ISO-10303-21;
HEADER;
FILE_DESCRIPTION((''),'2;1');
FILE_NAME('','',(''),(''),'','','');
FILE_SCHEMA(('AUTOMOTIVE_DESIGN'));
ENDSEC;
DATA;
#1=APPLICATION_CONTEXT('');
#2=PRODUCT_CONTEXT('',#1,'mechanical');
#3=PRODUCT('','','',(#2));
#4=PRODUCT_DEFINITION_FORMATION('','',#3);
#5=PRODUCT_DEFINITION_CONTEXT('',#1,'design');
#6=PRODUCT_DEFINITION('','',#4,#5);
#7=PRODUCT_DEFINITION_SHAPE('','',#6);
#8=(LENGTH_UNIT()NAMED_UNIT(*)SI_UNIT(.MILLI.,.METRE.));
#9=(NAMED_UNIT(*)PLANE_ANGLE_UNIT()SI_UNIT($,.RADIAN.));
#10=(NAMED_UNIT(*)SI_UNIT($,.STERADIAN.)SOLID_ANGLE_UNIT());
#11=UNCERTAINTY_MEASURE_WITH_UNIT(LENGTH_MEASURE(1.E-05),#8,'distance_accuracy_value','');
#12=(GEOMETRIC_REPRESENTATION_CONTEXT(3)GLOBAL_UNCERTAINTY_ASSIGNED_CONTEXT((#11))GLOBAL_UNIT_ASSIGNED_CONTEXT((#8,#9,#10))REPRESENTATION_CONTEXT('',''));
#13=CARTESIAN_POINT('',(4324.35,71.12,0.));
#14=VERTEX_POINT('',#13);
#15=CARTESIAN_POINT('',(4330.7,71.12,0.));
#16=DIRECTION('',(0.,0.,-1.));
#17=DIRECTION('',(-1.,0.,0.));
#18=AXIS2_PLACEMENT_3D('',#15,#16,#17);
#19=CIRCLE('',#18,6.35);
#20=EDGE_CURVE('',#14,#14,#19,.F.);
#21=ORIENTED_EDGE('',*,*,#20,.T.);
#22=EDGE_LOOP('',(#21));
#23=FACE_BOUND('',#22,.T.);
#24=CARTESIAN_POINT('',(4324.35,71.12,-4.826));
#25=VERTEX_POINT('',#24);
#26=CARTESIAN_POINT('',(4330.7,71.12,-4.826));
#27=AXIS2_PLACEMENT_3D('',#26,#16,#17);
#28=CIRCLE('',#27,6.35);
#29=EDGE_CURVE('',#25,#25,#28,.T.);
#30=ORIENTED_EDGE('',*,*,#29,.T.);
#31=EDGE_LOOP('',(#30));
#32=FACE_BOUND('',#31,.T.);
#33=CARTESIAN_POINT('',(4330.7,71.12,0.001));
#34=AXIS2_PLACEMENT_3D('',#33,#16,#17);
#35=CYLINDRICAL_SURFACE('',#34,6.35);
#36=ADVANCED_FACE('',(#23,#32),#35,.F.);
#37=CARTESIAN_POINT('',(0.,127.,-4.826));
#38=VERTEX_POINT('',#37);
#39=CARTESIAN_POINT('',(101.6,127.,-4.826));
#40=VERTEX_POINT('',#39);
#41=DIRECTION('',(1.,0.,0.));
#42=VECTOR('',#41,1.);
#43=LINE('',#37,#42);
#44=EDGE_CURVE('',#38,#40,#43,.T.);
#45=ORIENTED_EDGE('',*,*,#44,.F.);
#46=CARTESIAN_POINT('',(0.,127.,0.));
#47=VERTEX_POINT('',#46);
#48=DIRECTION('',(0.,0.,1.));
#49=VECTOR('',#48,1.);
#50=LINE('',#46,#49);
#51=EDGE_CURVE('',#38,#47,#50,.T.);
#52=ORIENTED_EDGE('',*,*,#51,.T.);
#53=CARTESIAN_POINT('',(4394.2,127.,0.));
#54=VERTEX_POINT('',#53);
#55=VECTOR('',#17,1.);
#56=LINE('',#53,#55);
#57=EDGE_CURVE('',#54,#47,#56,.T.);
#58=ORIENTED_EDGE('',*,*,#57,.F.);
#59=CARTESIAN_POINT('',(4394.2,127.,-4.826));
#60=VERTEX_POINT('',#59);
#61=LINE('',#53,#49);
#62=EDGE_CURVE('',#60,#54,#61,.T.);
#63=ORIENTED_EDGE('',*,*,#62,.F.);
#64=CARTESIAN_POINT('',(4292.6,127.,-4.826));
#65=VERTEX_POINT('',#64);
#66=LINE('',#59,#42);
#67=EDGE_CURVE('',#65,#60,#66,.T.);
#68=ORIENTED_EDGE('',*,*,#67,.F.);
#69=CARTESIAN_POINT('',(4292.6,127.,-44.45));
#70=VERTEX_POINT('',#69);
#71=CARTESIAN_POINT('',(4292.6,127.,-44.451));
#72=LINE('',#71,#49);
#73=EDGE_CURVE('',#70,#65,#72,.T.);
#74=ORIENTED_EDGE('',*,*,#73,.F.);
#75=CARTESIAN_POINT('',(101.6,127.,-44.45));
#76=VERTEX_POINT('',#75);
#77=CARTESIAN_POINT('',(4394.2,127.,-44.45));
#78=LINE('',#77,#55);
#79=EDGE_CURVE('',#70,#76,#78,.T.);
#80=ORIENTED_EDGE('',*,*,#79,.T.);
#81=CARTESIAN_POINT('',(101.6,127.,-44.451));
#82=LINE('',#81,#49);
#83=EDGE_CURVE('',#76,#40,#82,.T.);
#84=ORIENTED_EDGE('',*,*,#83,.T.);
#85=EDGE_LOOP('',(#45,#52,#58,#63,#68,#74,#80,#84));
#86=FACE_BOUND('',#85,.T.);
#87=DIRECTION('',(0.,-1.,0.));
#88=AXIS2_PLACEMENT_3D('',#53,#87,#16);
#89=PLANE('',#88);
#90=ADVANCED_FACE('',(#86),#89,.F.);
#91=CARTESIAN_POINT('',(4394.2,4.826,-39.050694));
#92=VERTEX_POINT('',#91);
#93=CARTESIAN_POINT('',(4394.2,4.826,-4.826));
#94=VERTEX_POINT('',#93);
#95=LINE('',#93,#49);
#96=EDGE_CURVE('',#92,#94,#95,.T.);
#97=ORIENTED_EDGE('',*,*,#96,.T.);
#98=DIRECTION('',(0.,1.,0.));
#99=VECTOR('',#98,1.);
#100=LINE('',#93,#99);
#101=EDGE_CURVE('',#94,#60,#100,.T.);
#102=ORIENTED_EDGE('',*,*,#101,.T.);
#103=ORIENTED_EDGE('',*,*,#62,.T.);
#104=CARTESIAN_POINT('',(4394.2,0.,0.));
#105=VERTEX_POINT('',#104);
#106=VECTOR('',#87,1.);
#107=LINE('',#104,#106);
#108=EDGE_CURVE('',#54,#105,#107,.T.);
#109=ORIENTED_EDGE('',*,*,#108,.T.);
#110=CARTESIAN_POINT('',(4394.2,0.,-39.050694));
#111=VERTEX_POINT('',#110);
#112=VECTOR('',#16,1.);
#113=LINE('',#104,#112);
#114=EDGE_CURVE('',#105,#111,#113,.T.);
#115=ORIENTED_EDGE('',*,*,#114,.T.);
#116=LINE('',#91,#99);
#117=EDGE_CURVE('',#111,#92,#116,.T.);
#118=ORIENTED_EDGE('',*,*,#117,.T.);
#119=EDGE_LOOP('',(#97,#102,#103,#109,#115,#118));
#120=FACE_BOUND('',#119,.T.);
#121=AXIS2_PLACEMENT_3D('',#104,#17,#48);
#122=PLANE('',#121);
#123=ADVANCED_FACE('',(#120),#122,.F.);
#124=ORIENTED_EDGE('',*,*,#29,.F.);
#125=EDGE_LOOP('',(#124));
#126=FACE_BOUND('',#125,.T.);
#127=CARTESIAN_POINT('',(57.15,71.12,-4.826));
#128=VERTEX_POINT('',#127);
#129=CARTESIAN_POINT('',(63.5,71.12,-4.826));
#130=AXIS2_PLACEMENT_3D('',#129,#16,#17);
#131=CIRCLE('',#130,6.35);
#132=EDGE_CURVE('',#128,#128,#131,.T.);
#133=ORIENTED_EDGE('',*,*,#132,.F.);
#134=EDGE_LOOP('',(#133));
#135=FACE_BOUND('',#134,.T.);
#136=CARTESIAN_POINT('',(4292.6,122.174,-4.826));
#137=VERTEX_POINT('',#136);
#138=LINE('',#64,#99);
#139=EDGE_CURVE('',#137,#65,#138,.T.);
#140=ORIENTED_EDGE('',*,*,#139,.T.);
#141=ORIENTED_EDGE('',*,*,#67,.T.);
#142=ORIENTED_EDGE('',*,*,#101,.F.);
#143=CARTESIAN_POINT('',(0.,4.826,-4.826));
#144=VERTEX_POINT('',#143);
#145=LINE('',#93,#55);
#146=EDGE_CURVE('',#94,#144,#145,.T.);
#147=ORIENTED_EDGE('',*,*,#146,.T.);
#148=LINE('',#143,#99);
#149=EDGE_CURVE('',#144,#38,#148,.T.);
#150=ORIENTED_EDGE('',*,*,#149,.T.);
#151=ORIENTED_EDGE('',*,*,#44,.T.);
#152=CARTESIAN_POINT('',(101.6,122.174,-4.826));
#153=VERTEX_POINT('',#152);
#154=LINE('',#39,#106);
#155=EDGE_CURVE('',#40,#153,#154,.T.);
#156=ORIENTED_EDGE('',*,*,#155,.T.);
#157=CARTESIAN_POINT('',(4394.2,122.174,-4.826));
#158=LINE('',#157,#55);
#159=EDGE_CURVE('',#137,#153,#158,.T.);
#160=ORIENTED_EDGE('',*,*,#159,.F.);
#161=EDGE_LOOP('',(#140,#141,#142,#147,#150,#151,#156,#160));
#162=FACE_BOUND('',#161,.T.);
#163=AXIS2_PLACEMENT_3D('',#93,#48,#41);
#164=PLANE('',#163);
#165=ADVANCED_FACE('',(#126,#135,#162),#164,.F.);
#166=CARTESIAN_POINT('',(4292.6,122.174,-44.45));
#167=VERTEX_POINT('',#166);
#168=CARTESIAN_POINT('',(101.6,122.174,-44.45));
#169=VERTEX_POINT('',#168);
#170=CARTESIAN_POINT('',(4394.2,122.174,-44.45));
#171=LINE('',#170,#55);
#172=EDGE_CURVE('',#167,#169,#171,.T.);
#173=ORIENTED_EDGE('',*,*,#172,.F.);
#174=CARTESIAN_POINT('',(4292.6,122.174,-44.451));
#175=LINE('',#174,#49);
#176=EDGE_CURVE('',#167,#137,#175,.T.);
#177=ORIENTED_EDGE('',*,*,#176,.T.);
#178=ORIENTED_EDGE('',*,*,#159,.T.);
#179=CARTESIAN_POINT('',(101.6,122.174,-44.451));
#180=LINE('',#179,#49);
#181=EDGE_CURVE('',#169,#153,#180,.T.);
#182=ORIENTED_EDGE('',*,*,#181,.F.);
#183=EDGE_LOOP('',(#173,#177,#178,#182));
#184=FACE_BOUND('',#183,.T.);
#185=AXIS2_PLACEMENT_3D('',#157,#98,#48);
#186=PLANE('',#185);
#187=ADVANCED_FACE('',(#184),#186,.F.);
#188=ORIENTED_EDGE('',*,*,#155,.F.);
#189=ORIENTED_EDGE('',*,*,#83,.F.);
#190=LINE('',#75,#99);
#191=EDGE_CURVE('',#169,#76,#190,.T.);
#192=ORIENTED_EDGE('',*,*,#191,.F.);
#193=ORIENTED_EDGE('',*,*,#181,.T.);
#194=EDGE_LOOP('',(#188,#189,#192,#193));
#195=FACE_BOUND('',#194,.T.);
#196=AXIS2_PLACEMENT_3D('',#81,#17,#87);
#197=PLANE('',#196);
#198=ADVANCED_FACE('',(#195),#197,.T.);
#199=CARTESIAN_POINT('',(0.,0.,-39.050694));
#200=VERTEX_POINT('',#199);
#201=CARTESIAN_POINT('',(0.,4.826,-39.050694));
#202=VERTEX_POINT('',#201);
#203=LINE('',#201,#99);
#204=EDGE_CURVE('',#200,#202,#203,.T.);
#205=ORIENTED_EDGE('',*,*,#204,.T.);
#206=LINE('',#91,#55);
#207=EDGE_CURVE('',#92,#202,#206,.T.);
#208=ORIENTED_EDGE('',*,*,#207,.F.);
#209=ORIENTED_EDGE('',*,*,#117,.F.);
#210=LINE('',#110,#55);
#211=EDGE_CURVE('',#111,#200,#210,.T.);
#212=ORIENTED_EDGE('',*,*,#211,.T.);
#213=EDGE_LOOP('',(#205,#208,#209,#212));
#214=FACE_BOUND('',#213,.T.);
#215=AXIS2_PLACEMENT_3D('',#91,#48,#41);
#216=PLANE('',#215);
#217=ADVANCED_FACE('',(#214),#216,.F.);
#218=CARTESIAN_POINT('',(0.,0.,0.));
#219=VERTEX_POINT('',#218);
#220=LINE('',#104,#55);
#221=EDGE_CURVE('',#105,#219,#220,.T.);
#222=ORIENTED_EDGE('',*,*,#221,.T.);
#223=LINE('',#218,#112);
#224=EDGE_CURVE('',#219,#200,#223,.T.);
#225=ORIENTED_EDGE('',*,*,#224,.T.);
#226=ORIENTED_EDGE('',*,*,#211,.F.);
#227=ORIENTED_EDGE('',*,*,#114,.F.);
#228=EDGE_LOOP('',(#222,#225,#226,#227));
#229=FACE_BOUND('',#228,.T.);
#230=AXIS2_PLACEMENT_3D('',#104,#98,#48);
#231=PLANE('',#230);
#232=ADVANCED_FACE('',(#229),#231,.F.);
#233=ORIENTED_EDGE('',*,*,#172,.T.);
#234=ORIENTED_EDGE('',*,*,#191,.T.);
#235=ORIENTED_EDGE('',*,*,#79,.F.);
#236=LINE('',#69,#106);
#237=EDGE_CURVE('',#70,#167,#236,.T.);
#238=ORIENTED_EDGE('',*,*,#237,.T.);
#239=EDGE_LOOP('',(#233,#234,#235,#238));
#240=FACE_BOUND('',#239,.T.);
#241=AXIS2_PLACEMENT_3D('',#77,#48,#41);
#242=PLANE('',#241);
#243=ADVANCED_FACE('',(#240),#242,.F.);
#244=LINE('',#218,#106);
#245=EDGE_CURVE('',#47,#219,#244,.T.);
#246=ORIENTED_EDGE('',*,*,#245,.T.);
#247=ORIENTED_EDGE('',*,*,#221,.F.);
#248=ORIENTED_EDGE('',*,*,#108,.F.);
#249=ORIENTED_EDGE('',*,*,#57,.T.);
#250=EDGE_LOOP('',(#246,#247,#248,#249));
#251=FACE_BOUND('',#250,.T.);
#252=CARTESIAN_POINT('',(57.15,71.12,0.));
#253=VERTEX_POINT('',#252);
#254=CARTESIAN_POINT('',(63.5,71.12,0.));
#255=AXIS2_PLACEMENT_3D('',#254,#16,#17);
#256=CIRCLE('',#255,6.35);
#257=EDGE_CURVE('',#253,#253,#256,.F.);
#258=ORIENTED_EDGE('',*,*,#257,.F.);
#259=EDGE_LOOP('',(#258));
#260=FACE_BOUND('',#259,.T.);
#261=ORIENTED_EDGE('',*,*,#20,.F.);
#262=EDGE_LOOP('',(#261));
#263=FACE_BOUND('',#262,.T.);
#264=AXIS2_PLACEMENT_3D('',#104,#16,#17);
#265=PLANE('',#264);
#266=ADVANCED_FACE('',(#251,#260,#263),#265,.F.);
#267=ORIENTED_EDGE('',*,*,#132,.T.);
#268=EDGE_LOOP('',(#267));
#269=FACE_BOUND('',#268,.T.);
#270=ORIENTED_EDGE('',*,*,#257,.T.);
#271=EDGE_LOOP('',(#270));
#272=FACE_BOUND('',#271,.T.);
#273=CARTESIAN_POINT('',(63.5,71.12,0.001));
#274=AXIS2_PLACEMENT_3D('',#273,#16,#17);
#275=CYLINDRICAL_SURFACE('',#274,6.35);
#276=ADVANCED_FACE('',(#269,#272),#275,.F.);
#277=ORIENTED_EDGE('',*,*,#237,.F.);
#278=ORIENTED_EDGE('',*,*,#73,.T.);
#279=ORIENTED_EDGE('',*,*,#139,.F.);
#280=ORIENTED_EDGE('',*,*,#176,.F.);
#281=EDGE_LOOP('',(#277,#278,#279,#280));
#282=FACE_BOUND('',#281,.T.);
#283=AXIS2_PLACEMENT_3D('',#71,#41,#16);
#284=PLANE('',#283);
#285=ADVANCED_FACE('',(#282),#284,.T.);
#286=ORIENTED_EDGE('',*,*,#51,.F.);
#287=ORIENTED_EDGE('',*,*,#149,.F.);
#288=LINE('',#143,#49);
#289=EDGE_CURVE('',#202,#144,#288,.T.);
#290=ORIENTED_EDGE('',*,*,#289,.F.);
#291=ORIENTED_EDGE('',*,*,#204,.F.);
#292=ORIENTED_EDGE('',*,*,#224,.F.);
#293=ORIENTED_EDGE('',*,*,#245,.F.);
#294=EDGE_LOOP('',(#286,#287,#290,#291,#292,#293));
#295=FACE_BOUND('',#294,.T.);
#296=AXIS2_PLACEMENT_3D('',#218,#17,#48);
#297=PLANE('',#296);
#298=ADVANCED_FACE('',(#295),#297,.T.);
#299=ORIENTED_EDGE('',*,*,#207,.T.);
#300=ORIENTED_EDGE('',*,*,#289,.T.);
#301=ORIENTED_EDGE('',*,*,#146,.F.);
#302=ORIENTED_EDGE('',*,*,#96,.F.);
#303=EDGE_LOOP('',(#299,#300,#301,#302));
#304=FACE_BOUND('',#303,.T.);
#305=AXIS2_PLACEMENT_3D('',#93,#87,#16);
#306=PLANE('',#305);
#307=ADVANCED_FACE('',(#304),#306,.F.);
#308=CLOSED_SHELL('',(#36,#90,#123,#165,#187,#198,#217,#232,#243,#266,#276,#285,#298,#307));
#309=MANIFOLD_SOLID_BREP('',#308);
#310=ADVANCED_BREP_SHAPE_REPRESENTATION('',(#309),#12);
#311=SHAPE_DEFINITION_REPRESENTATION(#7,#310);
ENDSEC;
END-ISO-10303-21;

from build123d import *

# Parameters (mm, degrees)
BOSS_EXTRUDE1_DEPTH = 4394.2
CUT_EXTRUDE1_REACH  = 4398.213
SKETCH2_R           = 6.35
CUT_EXTRUDE4_REACH  = 4398.213
SKETCH3_W           = 101.6
SKETCH3_H           = 4.826


with BuildPart() as part:
    # Sketch1 → Boss-Extrude1 (new body)
    with BuildSketch(Plane(origin=(0, 0, 0), x_dir=(0, 0, -1), z_dir=(1, 0, 0))):
        Polygon((0, 0), (0, 127), (44.45, 127), (44.45, 122.174), (4.826, 122.174), (4.826, 4.826), (39.050693766, 4.826), (39.050693766, 0), align=None)
    extrude(amount=BOSS_EXTRUDE1_DEPTH)

    # Sketch2 → Cut-Extrude1 (cut, up to next)
    with BuildSketch(Plane(origin=(0, 0, -4.826), x_dir=(-1, 0, 0), z_dir=(0, 0, -1)), mode=Mode.PRIVATE) as cut_extrude1_sk1:
        with Locations((-4330.7, 71.12)):
            Circle(SKETCH2_R)
    cut_extrude1_tool1 = extrude(cut_extrude1_sk1.sketch, amount=-CUT_EXTRUDE1_REACH, mode=Mode.PRIVATE) & part.part
    # Sketch2 → Cut-Extrude1 (cut, up to next)
    with BuildSketch(Plane(origin=(0, 0, -4.826), x_dir=(-1, 0, 0), z_dir=(0, 0, -1)), mode=Mode.PRIVATE) as cut_extrude1_sk2:
        with Locations((-63.5, 71.12)):
            Circle(SKETCH2_R)
    cut_extrude1_tool2 = extrude(cut_extrude1_sk2.sketch, amount=-CUT_EXTRUDE1_REACH, mode=Mode.PRIVATE) & part.part
    add(cut_extrude1_tool1.solids().sort_by_distance((4330.7, 71.12, -4.826))[0], mode=Mode.SUBTRACT)
    add(cut_extrude1_tool2.solids().sort_by_distance((63.5, 71.12, -4.826))[0], mode=Mode.SUBTRACT)

    # Sketch3 → Cut-Extrude4 (cut, up to next)
    with BuildSketch(Plane(origin=(0, 0, -4.826), x_dir=(-1, 0, 0), z_dir=(0, 0, -1)), mode=Mode.PRIVATE) as cut_extrude4_sk1:
        with Locations((-4343.4, 124.587)):
            Rectangle(SKETCH3_W, SKETCH3_H)
    cut_extrude4_tool1 = extrude(cut_extrude4_sk1.sketch, amount=CUT_EXTRUDE4_REACH, mode=Mode.PRIVATE) & part.part
    # Sketch3 → Cut-Extrude4 (cut, up to next)
    with BuildSketch(Plane(origin=(0, 0, -4.826), x_dir=(-1, 0, 0), z_dir=(0, 0, -1)), mode=Mode.PRIVATE) as cut_extrude4_sk2:
        with Locations((-50.8, 124.587)):
            Rectangle(SKETCH3_W, SKETCH3_H)
    cut_extrude4_tool2 = extrude(cut_extrude4_sk2.sketch, amount=CUT_EXTRUDE4_REACH, mode=Mode.PRIVATE) & part.part
    add(cut_extrude4_tool1.solids().sort_by_distance((4343.4, 124.587, -4.826))[0], mode=Mode.SUBTRACT)
    add(cut_extrude4_tool2.solids().sort_by_distance((50.8, 124.587, -4.826))[0], mode=Mode.SUBTRACT)


solid = part.part
